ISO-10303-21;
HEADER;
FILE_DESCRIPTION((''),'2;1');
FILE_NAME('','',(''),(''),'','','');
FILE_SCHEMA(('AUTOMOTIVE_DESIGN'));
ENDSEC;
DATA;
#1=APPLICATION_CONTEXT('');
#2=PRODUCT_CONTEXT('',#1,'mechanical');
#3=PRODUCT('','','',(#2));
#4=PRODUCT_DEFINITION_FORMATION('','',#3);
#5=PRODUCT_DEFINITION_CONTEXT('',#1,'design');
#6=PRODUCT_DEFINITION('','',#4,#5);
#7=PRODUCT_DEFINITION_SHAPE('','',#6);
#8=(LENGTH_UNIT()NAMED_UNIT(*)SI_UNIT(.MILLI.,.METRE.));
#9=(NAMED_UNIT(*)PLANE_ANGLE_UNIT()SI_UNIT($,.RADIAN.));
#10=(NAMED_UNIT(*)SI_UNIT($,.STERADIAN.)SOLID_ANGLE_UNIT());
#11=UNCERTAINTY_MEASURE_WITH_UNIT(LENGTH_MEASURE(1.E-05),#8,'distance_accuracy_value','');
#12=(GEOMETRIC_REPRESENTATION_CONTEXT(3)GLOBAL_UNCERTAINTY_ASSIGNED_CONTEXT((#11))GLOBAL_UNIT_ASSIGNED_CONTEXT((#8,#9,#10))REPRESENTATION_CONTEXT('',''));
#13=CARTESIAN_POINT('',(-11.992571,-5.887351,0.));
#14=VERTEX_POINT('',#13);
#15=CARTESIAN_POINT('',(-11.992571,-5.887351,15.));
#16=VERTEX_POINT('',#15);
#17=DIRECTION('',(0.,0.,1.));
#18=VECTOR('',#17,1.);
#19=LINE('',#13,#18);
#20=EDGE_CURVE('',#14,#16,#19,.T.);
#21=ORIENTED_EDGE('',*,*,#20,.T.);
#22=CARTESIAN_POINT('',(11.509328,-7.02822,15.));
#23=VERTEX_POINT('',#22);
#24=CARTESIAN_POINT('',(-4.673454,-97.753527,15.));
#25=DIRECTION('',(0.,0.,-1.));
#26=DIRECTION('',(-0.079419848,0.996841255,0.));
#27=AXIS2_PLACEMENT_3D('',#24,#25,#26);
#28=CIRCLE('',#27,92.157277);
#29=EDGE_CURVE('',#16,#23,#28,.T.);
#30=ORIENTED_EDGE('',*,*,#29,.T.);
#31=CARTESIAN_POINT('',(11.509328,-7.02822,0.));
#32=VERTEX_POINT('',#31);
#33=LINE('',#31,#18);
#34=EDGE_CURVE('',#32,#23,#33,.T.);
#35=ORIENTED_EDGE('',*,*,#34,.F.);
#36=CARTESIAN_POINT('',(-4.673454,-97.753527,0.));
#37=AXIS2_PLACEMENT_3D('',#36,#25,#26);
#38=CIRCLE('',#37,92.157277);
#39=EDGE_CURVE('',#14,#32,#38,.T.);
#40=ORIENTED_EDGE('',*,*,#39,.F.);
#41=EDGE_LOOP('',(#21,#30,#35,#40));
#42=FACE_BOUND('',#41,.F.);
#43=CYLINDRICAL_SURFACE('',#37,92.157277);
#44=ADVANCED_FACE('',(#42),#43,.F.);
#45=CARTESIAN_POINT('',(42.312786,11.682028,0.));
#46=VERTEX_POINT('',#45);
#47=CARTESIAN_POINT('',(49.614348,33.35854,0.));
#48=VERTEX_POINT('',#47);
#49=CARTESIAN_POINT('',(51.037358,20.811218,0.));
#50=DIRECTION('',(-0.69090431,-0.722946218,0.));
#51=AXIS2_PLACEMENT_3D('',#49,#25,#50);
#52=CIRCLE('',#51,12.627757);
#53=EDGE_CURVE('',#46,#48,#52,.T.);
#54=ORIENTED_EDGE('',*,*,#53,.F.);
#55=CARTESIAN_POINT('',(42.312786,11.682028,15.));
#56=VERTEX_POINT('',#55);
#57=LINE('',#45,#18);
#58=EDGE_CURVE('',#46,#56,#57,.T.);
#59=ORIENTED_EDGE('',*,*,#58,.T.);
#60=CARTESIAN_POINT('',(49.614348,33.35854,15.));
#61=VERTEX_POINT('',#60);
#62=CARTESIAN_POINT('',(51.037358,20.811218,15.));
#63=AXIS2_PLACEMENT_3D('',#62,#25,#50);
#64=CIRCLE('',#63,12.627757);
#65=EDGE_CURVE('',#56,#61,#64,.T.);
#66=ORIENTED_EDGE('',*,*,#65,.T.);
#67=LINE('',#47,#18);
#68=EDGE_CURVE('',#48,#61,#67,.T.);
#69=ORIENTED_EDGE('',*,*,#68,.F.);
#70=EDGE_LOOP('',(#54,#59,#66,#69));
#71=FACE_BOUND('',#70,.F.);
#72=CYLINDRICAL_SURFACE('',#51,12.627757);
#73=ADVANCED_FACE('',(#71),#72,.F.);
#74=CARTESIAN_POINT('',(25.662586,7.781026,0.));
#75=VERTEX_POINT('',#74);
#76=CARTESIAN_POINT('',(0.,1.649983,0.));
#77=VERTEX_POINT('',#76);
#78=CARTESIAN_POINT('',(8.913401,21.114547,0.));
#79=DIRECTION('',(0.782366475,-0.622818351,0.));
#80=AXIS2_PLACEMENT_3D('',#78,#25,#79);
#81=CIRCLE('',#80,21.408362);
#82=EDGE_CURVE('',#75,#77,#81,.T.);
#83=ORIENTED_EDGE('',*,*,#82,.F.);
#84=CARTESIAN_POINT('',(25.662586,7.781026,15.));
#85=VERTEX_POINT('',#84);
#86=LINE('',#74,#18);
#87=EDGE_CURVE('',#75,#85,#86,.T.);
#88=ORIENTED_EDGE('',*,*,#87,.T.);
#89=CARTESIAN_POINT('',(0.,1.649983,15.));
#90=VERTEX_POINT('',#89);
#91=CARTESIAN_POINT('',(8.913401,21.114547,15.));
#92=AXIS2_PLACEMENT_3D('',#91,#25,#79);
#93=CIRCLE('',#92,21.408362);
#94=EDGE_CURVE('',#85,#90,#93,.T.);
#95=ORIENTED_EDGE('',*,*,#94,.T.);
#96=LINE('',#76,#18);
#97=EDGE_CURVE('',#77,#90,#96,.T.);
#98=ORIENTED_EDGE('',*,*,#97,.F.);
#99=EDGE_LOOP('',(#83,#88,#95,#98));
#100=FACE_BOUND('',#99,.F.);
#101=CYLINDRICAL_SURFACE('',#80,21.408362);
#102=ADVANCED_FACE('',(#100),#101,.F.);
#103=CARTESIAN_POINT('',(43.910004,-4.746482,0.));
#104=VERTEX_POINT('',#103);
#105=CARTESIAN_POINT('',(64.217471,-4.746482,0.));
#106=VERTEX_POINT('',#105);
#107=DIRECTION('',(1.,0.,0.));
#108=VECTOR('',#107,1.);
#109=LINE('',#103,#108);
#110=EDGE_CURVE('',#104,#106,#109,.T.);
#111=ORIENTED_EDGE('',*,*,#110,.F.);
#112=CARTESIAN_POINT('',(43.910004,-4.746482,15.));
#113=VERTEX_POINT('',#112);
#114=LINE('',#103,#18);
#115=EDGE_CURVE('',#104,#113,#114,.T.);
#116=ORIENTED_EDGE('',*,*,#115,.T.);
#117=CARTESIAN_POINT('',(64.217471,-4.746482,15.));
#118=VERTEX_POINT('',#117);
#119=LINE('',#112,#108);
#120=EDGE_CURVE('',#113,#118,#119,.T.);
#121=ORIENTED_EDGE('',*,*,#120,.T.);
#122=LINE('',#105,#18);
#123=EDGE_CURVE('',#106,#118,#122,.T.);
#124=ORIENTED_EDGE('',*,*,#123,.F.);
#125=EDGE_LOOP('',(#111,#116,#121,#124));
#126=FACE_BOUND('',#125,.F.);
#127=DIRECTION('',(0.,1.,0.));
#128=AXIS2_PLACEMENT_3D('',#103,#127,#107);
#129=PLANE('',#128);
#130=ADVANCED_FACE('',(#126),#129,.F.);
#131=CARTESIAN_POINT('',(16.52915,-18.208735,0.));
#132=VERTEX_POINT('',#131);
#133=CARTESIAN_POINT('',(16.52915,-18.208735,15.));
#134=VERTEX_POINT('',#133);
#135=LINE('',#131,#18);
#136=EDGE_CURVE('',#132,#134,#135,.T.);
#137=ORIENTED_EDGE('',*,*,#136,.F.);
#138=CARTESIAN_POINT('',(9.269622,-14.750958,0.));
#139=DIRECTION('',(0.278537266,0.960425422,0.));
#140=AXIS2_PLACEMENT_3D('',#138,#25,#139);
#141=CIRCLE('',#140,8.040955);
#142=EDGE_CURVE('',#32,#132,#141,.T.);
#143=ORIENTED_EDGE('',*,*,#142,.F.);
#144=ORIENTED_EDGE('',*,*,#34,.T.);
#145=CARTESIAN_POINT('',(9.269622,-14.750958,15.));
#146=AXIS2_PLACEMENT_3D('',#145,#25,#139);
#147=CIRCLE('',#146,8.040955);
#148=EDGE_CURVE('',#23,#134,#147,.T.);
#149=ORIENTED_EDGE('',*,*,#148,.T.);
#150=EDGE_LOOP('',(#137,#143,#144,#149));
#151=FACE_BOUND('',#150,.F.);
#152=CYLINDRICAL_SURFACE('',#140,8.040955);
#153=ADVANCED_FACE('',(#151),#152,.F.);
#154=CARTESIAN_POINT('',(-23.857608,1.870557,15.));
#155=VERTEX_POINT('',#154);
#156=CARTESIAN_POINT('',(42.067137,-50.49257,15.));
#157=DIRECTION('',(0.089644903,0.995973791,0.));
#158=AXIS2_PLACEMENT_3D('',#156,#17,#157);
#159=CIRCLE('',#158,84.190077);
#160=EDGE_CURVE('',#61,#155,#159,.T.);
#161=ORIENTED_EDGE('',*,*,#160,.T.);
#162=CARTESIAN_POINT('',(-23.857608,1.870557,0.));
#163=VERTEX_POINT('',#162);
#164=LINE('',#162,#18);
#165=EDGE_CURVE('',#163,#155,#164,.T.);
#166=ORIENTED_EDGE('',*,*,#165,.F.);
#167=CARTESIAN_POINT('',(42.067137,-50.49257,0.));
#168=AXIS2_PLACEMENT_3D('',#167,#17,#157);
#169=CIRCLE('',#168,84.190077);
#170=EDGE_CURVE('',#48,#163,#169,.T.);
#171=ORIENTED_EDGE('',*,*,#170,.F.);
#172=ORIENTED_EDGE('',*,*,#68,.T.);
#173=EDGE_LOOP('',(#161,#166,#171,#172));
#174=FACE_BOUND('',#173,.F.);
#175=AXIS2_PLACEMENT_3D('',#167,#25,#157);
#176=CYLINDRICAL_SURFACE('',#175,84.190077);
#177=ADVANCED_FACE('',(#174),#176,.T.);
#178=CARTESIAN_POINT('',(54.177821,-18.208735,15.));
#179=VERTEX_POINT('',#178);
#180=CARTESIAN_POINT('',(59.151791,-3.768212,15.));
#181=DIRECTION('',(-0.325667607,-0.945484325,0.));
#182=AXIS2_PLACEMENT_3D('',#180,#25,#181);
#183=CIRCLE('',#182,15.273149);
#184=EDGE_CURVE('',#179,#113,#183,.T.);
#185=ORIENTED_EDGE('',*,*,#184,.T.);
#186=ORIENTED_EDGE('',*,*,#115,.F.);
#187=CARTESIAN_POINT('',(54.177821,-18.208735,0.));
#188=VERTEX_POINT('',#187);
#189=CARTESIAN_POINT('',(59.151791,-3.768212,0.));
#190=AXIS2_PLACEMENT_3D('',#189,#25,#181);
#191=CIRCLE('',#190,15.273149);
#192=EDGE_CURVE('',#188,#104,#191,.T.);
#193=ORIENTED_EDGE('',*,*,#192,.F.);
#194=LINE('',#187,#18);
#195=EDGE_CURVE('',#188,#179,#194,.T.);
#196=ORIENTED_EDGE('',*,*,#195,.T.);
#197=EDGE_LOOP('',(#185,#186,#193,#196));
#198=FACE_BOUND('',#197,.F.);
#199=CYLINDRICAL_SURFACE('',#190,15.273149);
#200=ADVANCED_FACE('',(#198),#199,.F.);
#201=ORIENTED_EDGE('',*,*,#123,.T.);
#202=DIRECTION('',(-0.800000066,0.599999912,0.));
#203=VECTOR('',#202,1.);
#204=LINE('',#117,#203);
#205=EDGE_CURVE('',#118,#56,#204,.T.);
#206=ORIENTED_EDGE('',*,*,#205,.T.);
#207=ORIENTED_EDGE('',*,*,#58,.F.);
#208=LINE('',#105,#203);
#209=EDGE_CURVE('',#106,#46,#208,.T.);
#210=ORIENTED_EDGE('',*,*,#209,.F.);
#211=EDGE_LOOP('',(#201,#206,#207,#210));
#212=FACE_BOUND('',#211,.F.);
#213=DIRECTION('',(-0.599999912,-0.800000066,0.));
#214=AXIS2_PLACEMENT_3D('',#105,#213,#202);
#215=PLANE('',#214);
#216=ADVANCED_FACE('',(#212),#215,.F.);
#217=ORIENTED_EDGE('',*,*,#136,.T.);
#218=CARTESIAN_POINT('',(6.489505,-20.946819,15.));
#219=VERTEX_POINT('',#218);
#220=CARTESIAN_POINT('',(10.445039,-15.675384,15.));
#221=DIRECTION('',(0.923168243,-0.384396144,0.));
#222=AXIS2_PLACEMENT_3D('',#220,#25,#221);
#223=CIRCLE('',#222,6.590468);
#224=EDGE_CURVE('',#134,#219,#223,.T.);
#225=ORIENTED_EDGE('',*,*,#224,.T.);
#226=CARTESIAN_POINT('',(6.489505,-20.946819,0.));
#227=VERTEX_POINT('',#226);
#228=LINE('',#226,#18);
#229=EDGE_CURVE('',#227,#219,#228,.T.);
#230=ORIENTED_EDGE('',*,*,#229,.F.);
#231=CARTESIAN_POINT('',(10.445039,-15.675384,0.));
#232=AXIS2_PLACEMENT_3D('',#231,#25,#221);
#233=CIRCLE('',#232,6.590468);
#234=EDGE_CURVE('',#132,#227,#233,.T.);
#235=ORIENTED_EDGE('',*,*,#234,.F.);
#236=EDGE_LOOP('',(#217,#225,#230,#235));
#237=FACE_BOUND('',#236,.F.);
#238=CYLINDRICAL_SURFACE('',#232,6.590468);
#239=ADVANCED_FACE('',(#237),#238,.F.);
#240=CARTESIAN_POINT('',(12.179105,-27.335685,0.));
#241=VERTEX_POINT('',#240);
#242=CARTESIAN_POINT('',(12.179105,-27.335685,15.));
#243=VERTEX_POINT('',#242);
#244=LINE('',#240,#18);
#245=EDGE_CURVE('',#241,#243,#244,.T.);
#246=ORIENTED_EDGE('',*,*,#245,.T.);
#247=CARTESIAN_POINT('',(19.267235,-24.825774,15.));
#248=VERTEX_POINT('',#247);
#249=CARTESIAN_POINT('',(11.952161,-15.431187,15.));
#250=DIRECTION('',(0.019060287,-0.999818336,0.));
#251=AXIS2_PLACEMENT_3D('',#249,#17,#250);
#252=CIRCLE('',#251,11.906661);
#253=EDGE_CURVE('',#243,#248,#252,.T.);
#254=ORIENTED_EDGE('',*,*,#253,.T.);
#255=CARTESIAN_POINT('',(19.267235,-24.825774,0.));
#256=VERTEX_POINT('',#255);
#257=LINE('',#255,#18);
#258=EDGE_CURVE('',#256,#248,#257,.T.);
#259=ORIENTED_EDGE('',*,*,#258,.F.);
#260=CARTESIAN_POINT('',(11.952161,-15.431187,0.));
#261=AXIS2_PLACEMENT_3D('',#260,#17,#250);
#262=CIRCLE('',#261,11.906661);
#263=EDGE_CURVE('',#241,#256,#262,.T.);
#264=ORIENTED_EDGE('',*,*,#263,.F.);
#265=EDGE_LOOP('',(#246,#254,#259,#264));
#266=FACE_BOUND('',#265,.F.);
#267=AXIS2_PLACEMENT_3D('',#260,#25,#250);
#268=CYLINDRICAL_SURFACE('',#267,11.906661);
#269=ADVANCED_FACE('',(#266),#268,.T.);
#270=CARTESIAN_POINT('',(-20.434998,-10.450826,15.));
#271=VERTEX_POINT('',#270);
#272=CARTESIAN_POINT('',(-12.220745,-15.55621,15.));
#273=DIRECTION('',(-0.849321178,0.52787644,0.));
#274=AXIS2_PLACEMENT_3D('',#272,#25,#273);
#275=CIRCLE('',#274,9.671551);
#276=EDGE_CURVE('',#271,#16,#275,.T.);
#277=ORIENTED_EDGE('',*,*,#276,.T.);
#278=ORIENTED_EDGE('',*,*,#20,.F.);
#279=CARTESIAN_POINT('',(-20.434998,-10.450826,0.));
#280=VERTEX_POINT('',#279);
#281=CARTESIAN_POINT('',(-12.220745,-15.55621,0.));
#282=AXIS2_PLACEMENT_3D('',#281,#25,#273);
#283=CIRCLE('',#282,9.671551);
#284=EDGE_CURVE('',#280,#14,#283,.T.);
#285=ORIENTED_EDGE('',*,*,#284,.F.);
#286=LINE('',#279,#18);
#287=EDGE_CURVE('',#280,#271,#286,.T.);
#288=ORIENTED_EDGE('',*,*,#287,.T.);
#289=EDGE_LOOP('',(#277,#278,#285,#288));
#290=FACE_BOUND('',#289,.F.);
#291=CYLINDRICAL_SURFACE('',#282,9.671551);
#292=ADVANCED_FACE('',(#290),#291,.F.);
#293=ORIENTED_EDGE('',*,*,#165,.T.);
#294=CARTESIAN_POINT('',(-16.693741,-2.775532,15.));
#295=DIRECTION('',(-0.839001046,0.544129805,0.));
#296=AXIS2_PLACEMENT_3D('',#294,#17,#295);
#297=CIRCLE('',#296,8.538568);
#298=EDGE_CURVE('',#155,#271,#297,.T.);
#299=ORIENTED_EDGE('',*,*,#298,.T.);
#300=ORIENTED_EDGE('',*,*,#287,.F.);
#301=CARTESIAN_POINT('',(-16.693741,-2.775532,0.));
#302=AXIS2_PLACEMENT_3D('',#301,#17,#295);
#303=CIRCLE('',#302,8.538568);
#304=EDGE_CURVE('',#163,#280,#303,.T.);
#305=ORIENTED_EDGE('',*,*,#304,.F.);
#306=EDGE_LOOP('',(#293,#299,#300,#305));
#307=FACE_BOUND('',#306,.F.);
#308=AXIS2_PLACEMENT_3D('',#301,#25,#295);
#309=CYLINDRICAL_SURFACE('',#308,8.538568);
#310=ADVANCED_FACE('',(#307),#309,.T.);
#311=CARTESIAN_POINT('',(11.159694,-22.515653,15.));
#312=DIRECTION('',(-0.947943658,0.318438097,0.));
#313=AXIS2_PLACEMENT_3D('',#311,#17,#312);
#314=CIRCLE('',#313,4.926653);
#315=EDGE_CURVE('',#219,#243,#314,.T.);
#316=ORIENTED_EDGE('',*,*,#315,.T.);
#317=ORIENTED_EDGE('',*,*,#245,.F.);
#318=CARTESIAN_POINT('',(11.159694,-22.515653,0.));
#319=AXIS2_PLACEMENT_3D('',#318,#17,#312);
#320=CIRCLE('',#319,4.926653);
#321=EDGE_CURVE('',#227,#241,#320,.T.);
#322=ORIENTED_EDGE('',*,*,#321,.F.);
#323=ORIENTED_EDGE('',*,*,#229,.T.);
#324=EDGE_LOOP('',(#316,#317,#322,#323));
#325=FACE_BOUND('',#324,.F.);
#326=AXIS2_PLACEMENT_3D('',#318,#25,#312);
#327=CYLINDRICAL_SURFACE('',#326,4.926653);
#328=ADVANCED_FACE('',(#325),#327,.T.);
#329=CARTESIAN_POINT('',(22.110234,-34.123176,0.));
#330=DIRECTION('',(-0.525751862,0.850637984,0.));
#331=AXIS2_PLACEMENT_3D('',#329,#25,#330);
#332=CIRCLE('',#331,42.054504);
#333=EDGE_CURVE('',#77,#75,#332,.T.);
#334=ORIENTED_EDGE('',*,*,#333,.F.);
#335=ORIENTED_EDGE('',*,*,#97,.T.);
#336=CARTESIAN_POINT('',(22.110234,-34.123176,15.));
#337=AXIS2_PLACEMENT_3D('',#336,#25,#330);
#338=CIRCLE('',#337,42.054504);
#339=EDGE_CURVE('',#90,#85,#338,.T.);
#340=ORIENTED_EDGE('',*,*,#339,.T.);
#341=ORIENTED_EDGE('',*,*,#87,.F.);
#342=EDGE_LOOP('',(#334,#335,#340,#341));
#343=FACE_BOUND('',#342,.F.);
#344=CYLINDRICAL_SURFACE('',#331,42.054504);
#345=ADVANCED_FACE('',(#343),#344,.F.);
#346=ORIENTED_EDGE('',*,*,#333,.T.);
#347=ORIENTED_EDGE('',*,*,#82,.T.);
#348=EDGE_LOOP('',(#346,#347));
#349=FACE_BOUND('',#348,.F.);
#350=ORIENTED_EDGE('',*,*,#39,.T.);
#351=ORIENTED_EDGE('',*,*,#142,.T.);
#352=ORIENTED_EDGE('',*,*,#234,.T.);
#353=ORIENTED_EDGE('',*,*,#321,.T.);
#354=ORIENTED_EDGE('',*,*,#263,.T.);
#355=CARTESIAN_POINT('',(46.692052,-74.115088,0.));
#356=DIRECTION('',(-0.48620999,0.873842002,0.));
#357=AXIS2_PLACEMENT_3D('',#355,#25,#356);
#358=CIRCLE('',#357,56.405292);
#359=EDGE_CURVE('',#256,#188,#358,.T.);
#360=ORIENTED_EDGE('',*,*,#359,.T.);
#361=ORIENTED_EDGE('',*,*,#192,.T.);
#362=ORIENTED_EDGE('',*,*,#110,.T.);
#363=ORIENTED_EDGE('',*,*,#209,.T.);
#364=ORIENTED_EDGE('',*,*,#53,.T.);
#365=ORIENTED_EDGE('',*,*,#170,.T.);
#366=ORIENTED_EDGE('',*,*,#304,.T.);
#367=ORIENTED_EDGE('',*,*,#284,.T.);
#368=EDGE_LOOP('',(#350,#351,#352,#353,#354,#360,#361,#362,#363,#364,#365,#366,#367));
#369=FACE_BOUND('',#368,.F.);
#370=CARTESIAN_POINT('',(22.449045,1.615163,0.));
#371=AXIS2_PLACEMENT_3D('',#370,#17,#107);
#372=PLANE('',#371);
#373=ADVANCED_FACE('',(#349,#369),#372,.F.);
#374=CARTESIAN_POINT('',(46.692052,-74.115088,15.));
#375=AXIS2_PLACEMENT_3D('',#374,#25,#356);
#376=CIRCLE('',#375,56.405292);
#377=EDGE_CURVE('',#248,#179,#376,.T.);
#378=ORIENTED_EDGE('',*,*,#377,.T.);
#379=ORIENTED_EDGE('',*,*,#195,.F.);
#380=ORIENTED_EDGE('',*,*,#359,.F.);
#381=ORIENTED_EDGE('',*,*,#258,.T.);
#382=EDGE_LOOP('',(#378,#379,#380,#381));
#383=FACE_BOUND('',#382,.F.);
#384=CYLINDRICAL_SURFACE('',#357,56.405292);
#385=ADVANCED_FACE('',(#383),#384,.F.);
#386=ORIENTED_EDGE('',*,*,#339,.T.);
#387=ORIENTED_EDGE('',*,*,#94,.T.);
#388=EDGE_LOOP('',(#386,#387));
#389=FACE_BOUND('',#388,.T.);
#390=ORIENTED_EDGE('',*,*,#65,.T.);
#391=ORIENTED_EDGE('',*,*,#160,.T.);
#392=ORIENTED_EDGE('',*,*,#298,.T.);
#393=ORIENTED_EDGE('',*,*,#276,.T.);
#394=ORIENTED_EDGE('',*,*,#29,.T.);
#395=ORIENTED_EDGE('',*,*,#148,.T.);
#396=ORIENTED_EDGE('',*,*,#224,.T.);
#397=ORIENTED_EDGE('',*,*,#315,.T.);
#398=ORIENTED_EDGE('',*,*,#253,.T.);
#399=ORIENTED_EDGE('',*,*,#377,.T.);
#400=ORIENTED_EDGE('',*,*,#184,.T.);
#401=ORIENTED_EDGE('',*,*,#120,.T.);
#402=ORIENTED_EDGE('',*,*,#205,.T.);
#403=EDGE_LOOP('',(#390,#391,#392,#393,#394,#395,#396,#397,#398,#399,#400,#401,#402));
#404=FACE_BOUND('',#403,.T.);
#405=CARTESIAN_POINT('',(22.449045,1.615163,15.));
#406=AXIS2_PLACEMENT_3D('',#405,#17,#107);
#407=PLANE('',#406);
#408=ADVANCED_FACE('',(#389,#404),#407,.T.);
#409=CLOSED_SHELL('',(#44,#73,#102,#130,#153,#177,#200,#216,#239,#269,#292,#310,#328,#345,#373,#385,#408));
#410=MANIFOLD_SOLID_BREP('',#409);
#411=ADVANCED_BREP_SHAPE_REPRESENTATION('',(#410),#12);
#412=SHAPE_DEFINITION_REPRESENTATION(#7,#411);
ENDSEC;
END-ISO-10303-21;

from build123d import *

# Parameters (mm, degrees)
F1_DEPTH = 15


with BuildPart() as f1:
    # F0 (on Top) → F1 (new body)
    with BuildSketch(Plane.XY):
        with BuildLine():
            ThreePointArc((49.614348, 33.35854), (8.903039, 26.89032), (-23.857608, 1.870557))
            ThreePointArc((-23.857608, 1.870557), (-24.920803, -5.06083), (-20.434998, -10.450826))
            ThreePointArc((-20.434998, -10.450826), (-16.819733, -7.048084), (-11.992571, -5.887351))
            ThreePointArc((-11.992571, -5.887351), (-0.205061, -5.704642), (11.509328, -7.02822))
            ThreePointArc((11.509328, -7.02822), (16.605141, -11.45746), (16.52915, -18.208735))
            ThreePointArc((16.52915, -18.208735), (12.179105, -22.03363), (6.489505, -20.946819))
            ThreePointArc((6.489505, -20.946819), (7.480503, -25.792154), (12.179105, -27.335685))
            ThreePointArc((12.179105, -27.335685), (15.926507, -26.654963), (19.267235, -24.825774))
            ThreePointArc((19.267235, -24.825774), (36.187876, -18.696505), (54.177821, -18.208735))
            ThreePointArc((54.177821, -18.208735), (47.007769, -13.030599), (43.910004, -4.746482))
            Line((43.910004, -4.746482), (64.217471, -4.746482))
            Line((64.217471, -4.746482), (42.312786, 11.682028))
            ThreePointArc((42.312786, 11.682028), (39.070272, 24.842236), (49.614348, 33.35854))
        make_face()
        with BuildLine():
            ThreePointArc((0, 1.649983), (12.33802, 6.780188), (25.662586, 7.781026))
            ThreePointArc((25.662586, 7.781026), (13.888067, 0.292187), (0, 1.649983))
        make_face(mode=Mode.SUBTRACT)
    extrude(amount=F1_DEPTH)


solid = f1.part
